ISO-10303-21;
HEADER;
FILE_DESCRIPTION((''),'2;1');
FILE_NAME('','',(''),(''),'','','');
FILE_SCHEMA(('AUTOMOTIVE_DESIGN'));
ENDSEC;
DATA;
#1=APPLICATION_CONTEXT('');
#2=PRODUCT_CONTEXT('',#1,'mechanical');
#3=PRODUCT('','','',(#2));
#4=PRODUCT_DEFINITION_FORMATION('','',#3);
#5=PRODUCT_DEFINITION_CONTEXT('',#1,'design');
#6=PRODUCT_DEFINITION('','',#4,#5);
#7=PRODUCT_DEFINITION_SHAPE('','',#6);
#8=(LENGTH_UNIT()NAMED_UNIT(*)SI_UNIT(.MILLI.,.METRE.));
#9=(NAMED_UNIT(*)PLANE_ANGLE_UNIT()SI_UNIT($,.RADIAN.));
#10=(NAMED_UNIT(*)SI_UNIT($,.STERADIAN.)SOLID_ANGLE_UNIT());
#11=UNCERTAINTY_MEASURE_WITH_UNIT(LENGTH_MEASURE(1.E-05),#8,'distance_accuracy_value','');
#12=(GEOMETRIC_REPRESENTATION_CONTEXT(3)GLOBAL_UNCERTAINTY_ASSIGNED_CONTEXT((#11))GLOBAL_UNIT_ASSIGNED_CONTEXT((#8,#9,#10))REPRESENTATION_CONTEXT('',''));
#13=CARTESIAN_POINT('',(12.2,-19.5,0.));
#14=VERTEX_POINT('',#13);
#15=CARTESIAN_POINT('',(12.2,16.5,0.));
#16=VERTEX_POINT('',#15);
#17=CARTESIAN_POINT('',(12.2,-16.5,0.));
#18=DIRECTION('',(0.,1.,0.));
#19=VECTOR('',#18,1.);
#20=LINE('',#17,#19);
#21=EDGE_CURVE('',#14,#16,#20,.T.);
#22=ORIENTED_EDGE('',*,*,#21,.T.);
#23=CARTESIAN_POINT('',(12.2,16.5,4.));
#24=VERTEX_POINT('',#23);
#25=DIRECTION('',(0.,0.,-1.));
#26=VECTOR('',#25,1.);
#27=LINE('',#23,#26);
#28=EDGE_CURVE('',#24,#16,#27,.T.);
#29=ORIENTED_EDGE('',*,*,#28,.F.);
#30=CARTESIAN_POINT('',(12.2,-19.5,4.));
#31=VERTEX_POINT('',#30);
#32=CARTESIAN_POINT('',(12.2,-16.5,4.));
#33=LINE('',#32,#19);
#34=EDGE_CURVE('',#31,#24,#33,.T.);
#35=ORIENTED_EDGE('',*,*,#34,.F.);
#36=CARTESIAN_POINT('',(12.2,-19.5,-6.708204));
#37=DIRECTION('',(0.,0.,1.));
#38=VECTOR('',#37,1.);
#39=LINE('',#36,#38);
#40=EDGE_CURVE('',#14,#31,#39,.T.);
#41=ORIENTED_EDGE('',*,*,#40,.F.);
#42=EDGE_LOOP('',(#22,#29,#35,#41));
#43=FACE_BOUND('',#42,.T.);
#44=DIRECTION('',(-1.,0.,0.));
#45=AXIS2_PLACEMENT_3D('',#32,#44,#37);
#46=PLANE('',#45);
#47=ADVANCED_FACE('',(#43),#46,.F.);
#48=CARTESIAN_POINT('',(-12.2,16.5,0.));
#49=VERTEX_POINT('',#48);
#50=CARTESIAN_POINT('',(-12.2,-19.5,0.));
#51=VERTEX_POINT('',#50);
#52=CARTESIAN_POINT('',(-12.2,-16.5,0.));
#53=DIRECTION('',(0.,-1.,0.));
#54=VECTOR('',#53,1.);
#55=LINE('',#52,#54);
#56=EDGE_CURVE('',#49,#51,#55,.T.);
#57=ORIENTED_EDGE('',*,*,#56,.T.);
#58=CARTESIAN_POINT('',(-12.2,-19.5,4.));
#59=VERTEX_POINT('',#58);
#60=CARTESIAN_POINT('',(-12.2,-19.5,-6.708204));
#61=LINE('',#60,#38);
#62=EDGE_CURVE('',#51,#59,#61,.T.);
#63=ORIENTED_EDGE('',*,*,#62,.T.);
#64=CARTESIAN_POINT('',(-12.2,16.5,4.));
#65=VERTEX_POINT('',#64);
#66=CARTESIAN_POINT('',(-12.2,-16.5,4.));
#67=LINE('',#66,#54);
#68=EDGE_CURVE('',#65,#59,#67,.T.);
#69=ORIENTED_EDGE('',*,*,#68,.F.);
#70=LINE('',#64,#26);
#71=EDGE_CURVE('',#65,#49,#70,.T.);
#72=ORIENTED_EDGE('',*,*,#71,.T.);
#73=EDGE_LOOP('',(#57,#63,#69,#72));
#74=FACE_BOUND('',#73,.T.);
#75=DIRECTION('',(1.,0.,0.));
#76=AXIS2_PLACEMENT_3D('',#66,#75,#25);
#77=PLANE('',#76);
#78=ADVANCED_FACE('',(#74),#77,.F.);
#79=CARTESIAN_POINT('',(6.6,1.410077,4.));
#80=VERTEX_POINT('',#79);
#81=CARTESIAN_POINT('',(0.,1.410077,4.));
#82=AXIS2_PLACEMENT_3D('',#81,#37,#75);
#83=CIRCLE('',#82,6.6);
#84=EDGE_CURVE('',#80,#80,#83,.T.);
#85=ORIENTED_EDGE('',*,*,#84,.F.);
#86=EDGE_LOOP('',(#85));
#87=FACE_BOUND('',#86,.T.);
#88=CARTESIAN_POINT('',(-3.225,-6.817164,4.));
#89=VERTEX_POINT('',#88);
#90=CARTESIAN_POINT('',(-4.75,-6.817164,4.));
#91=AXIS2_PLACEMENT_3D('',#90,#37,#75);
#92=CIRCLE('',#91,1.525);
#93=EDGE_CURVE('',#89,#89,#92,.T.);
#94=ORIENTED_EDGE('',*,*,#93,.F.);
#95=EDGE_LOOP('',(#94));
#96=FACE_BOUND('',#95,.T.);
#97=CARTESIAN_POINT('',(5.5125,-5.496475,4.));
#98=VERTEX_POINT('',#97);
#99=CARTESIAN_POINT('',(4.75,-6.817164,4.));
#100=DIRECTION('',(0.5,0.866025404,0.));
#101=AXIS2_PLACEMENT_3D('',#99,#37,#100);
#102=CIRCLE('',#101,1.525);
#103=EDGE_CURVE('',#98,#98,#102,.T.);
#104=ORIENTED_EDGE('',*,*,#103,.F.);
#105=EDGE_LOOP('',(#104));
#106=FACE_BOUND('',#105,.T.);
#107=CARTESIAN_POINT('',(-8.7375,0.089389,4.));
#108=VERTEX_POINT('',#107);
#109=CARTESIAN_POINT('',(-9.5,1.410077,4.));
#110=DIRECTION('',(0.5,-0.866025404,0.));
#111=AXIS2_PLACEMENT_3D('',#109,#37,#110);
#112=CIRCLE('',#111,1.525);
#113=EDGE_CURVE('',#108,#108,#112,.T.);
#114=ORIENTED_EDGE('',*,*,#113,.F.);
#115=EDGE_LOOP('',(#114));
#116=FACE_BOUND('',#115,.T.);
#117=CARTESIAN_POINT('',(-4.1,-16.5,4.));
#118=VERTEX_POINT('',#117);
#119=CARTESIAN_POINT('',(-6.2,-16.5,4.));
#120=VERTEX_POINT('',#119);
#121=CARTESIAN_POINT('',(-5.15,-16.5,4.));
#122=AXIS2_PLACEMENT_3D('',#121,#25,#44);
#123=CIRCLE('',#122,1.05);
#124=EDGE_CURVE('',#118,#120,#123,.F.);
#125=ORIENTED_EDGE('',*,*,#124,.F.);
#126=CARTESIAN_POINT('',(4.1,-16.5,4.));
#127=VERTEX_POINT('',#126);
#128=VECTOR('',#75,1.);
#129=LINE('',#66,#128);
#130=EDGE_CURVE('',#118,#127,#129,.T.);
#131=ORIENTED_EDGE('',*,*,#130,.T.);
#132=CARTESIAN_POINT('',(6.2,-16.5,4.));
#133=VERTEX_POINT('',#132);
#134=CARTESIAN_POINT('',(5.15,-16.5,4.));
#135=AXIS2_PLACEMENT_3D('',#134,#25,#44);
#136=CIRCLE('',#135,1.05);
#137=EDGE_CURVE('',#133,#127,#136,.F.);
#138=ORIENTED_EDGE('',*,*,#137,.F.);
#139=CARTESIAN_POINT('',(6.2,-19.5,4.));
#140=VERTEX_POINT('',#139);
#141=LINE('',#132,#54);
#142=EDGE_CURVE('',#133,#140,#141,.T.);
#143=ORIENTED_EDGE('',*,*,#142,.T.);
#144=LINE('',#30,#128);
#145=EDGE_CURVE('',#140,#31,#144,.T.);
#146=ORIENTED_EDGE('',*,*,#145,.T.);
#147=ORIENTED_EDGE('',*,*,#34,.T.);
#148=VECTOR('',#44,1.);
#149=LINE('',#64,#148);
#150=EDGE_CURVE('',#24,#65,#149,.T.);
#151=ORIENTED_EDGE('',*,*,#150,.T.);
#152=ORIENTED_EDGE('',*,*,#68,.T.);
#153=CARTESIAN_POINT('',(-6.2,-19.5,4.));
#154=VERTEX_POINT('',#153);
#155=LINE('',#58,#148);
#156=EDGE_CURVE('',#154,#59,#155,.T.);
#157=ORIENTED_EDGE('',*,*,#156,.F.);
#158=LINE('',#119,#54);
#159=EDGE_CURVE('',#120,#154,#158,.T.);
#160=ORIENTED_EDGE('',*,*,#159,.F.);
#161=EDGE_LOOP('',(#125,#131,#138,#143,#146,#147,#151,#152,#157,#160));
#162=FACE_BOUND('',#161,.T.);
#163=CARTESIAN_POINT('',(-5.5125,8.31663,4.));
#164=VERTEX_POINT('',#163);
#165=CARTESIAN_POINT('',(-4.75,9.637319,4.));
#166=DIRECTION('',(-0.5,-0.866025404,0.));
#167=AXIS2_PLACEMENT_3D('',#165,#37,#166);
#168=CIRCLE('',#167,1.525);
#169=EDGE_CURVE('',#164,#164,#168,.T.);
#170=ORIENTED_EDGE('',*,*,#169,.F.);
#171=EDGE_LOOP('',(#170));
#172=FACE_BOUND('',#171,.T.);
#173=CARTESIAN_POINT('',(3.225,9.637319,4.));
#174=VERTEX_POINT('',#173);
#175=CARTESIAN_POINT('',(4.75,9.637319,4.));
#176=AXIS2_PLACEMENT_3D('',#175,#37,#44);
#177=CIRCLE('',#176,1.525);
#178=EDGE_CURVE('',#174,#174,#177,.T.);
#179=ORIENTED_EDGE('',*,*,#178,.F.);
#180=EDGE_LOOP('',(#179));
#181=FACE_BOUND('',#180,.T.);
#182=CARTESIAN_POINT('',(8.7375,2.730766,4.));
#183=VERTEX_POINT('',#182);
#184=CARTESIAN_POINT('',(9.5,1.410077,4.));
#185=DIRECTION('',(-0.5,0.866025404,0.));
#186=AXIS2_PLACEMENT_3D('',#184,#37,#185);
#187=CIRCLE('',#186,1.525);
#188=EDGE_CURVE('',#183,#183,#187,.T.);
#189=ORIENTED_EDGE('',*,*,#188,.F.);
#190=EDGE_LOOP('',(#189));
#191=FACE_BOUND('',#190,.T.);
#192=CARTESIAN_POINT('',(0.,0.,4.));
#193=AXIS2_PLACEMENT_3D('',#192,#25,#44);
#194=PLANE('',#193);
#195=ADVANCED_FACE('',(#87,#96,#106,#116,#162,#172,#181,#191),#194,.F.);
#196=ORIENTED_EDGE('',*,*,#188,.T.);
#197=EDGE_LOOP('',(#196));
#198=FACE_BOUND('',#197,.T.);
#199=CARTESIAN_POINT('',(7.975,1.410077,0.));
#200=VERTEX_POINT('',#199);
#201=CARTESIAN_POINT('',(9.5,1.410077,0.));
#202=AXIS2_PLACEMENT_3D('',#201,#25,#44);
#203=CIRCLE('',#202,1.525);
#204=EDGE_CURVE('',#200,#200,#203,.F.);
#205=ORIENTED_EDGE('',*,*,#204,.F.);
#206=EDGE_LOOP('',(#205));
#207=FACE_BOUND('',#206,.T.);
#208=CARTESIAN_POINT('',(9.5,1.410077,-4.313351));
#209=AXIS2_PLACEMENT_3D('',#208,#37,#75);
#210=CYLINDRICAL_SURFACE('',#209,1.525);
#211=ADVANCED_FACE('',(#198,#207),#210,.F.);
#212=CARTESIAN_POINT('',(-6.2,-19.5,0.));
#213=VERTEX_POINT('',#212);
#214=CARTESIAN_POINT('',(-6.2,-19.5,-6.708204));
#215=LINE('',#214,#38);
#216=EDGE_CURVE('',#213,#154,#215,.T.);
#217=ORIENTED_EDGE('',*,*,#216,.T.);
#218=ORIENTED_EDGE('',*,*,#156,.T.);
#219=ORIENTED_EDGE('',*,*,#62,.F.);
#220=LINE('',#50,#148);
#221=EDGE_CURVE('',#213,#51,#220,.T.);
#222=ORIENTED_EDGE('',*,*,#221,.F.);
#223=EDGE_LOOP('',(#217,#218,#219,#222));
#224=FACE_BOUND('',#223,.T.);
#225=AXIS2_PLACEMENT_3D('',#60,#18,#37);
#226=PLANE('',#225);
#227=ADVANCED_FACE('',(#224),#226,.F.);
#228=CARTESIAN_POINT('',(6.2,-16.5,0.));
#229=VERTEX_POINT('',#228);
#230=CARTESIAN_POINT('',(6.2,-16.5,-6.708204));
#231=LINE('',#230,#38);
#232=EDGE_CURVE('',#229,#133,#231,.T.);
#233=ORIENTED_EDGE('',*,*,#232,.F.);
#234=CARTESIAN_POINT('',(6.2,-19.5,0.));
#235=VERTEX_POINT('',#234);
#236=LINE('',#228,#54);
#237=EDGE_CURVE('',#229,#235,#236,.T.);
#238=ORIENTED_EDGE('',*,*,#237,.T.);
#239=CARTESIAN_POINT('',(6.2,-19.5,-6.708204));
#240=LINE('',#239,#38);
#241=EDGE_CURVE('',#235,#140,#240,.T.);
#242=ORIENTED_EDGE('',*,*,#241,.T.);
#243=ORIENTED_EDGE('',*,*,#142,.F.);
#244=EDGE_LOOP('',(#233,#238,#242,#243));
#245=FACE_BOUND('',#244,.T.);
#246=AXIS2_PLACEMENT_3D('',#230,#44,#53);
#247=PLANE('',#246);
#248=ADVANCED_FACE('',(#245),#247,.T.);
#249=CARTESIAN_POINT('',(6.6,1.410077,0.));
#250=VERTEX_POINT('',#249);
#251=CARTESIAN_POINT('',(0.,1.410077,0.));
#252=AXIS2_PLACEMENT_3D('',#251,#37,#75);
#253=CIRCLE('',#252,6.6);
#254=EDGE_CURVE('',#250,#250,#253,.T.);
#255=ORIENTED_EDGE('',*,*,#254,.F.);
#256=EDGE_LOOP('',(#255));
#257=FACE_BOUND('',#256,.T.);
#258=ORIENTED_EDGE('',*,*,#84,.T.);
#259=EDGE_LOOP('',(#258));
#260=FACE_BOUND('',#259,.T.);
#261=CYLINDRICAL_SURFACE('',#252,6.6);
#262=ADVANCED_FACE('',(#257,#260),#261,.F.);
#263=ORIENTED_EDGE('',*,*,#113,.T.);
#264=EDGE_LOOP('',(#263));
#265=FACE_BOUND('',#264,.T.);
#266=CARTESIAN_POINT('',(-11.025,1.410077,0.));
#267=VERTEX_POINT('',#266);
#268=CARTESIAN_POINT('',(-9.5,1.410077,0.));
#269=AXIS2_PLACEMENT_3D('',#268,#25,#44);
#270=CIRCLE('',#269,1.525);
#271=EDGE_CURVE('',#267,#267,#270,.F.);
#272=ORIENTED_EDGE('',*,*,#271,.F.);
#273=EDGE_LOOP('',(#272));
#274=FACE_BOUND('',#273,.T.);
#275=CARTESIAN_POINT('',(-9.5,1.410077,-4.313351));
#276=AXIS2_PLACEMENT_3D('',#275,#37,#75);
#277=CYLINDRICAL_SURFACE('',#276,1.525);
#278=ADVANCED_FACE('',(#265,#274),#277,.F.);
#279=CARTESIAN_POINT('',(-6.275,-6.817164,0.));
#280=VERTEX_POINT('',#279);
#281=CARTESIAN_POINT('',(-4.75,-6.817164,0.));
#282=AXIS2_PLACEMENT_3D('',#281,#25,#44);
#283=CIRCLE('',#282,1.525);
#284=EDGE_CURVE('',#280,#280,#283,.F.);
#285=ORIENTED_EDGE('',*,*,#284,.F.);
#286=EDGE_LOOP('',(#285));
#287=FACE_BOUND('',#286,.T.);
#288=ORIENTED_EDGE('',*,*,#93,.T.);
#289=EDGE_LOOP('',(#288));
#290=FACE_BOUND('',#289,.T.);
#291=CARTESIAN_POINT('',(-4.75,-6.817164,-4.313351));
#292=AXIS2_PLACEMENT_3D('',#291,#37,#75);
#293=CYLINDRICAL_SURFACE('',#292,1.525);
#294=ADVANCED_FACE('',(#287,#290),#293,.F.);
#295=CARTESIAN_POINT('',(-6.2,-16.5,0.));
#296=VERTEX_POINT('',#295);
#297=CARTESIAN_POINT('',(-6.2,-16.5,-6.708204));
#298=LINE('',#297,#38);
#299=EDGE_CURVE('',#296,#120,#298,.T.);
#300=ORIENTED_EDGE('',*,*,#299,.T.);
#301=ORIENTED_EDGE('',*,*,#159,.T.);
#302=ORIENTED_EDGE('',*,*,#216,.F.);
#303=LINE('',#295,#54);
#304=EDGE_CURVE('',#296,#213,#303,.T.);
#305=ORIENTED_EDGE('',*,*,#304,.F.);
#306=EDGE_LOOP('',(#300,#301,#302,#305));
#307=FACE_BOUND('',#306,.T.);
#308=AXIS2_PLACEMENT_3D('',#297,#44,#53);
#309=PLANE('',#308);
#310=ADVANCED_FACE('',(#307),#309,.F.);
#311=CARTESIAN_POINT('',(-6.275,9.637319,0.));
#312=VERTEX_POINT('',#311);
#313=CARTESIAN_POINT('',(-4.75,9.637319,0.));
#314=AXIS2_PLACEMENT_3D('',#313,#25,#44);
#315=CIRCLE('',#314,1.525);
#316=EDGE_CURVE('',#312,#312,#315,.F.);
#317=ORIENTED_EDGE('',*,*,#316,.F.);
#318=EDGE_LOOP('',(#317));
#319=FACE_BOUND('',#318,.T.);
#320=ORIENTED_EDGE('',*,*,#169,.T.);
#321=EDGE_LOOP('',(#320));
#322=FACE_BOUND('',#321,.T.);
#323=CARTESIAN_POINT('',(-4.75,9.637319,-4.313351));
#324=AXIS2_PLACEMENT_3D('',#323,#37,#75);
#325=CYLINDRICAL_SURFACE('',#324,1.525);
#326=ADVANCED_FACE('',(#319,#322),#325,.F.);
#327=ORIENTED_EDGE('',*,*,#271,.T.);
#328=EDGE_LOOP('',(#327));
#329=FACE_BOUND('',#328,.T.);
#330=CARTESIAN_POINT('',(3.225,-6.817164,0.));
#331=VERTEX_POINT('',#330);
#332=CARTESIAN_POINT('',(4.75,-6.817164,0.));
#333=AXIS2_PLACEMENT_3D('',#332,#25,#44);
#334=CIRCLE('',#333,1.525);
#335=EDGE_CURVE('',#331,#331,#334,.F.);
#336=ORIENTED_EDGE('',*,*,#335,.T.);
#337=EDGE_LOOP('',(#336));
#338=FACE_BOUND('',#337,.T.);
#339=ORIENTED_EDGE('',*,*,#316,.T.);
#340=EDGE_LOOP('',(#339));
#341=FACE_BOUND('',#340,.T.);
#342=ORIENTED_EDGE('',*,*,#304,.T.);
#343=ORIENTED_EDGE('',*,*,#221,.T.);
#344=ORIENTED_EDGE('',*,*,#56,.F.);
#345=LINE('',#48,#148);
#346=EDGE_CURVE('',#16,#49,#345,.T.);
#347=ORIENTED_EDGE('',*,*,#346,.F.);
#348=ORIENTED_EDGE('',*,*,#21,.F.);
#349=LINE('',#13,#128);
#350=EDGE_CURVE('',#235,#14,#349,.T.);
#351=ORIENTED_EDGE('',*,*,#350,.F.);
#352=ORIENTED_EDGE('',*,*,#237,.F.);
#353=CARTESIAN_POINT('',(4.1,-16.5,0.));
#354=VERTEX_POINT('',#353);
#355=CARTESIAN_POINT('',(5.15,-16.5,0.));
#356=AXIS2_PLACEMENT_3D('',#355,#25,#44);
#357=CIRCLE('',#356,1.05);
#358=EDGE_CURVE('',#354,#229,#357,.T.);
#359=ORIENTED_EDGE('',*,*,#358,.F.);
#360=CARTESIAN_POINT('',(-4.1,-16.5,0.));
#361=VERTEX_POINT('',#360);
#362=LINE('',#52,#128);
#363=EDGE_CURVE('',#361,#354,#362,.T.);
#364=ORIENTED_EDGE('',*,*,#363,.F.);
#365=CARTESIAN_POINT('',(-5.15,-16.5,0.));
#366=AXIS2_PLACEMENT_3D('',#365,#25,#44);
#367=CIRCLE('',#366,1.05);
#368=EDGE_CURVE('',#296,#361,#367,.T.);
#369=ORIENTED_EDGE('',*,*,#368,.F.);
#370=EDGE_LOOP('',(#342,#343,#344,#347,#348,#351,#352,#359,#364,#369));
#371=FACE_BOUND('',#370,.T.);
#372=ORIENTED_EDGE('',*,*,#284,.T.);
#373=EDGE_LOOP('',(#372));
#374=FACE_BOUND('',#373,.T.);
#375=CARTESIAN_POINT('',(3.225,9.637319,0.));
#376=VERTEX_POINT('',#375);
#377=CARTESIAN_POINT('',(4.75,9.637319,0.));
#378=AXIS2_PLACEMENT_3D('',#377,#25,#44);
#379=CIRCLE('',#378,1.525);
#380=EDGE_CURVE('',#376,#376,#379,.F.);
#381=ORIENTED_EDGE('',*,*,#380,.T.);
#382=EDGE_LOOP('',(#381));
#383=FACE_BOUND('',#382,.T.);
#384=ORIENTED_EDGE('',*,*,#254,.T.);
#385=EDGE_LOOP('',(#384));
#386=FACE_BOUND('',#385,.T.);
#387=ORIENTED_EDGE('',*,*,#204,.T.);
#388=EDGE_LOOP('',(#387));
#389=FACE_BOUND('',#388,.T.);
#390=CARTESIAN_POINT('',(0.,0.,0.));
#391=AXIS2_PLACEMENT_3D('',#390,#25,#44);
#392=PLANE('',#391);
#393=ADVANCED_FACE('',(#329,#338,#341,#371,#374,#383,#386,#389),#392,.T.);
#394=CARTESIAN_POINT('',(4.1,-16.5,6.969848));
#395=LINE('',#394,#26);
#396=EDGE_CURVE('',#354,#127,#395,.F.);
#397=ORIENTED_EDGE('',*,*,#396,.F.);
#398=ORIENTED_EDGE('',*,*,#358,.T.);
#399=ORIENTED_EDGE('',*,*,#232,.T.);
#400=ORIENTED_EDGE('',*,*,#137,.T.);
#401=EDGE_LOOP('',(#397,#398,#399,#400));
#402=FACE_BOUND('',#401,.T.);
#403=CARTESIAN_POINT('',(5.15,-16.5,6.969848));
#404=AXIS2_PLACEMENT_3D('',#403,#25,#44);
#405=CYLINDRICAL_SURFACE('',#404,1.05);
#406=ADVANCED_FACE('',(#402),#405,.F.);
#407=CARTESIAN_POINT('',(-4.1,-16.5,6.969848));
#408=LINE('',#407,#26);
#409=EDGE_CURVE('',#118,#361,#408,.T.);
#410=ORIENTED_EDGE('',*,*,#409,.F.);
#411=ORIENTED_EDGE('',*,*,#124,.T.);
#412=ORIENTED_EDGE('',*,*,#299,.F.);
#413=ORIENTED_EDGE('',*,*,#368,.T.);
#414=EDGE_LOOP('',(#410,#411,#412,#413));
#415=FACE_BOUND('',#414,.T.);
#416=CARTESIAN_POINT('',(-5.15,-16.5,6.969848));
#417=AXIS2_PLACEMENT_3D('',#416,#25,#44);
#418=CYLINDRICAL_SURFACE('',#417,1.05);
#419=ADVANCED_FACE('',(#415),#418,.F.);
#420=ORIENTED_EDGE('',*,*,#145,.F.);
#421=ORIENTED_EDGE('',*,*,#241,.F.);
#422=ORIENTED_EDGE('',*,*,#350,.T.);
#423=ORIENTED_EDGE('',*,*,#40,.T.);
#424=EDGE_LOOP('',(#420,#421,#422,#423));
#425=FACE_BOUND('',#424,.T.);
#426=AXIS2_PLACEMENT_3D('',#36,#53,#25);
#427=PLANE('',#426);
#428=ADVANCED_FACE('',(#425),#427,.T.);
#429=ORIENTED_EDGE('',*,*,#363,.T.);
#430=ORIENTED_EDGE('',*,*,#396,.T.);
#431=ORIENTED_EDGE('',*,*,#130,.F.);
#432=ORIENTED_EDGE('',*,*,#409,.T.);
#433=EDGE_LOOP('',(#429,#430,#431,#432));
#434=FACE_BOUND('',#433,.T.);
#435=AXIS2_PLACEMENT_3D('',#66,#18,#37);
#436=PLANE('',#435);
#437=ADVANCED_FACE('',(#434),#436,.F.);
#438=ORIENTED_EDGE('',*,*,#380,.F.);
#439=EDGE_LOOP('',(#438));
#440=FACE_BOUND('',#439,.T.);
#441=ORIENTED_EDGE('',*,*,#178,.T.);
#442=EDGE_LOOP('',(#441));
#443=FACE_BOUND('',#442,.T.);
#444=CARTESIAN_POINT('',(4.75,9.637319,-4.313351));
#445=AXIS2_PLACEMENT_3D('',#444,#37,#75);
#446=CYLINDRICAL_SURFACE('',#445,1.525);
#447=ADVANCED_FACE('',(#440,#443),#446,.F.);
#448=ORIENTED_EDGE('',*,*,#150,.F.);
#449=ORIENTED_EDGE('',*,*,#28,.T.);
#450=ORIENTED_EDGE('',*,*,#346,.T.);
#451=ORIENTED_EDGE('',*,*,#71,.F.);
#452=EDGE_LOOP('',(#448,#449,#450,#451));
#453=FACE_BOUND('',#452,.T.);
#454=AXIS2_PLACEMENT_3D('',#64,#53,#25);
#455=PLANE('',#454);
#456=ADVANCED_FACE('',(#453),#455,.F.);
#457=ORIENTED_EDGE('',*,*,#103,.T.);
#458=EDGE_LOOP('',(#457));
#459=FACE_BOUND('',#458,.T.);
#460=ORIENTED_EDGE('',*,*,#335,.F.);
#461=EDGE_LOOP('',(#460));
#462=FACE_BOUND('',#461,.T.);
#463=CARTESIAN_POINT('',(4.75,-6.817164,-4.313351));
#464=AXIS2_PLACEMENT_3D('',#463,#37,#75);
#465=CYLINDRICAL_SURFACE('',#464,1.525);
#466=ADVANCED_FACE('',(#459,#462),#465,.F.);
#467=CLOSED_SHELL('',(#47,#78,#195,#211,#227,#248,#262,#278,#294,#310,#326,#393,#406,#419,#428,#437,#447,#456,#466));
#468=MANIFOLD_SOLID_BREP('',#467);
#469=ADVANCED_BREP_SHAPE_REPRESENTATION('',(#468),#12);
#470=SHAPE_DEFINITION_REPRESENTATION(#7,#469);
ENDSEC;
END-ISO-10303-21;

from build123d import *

# Parameters (mm, degrees)
SKETCH_2_W               = 24.4
SKETCH_2_H               = 33
EXTRUDE_1_DEPTH          = 4
SKETCH_3_R               = 6.6
CUT_EXTRUDE_1_DEPTH      = 4
SKETCH_4_W               = 6
SKETCH_4_H               = 3
EXTRUDE_2_DEPTH          = 4
SKETCH_5_R               = 1.05
CUT_EXTRUDE_2_DEPTH      = 4
SKETCH_6_R               = 1.525
CUT_EXTRUDE_3_DEPTH      = 4
PATTERN_CIRCULAR_1_COUNT = 6


with BuildPart() as part:
    # 草图2 → 凸台-拉伸1 (new body)
    with BuildSketch(Plane.XY):
        Rectangle(SKETCH_2_W, SKETCH_2_H)
    extrude(amount=EXTRUDE_1_DEPTH)

    # 草图3 → 切除-拉伸1 (cut)
    with BuildSketch(Plane.XY.offset(4)):
        with Locations((0, 1.410077419)):
            Circle(SKETCH_3_R)
    extrude(amount=-CUT_EXTRUDE_1_DEPTH, mode=Mode.SUBTRACT)

    # 草图4 → 凸台-拉伸2 (add)
    with BuildSketch(Plane.XY.offset(4)):
        with Locations((9.2, -18)):
            Rectangle(SKETCH_4_W, SKETCH_4_H)
    extrude_2 = extrude(amount=-EXTRUDE_2_DEPTH)

    # 镜向1: 凸台-拉伸2 across plane
    add(extrude_2.mirror(Plane(origin=(0, 0, 0), x_dir=(0, 0, 1), z_dir=(1, 0, 0))))

    # 草图5 → 切除-拉伸2 (cut)
    with BuildSketch(Plane(origin=(0, 0, 0), x_dir=(-1, 0, 0), z_dir=(0, 0, -1))):
        with Locations((-5.15, -16.5)):
            Circle(SKETCH_5_R)
        with Locations((5.15, -16.5)):
            Circle(SKETCH_5_R)
    extrude(amount=-CUT_EXTRUDE_2_DEPTH, mode=Mode.SUBTRACT)

    # 草图6 → 切除-拉伸3 (cut)
    with BuildSketch(Plane.XY.offset(4)):
        with Locations((-4.75, -6.817163916)):
            Circle(SKETCH_6_R)
    cut_extrude_3 = extrude(amount=-CUT_EXTRUDE_3_DEPTH, mode=Mode.SUBTRACT)

    # 阵列(圆周)1: 切除-拉伸3 ×6 about axis
    pattern_circular_1_axis = Axis((0, 1.410077419, 0), (0, 0, 1))
    for i in range(1, PATTERN_CIRCULAR_1_COUNT):
        add(cut_extrude_3.rotate(pattern_circular_1_axis, i * 360 / PATTERN_CIRCULAR_1_COUNT), mode=Mode.SUBTRACT)


solid = part.part
